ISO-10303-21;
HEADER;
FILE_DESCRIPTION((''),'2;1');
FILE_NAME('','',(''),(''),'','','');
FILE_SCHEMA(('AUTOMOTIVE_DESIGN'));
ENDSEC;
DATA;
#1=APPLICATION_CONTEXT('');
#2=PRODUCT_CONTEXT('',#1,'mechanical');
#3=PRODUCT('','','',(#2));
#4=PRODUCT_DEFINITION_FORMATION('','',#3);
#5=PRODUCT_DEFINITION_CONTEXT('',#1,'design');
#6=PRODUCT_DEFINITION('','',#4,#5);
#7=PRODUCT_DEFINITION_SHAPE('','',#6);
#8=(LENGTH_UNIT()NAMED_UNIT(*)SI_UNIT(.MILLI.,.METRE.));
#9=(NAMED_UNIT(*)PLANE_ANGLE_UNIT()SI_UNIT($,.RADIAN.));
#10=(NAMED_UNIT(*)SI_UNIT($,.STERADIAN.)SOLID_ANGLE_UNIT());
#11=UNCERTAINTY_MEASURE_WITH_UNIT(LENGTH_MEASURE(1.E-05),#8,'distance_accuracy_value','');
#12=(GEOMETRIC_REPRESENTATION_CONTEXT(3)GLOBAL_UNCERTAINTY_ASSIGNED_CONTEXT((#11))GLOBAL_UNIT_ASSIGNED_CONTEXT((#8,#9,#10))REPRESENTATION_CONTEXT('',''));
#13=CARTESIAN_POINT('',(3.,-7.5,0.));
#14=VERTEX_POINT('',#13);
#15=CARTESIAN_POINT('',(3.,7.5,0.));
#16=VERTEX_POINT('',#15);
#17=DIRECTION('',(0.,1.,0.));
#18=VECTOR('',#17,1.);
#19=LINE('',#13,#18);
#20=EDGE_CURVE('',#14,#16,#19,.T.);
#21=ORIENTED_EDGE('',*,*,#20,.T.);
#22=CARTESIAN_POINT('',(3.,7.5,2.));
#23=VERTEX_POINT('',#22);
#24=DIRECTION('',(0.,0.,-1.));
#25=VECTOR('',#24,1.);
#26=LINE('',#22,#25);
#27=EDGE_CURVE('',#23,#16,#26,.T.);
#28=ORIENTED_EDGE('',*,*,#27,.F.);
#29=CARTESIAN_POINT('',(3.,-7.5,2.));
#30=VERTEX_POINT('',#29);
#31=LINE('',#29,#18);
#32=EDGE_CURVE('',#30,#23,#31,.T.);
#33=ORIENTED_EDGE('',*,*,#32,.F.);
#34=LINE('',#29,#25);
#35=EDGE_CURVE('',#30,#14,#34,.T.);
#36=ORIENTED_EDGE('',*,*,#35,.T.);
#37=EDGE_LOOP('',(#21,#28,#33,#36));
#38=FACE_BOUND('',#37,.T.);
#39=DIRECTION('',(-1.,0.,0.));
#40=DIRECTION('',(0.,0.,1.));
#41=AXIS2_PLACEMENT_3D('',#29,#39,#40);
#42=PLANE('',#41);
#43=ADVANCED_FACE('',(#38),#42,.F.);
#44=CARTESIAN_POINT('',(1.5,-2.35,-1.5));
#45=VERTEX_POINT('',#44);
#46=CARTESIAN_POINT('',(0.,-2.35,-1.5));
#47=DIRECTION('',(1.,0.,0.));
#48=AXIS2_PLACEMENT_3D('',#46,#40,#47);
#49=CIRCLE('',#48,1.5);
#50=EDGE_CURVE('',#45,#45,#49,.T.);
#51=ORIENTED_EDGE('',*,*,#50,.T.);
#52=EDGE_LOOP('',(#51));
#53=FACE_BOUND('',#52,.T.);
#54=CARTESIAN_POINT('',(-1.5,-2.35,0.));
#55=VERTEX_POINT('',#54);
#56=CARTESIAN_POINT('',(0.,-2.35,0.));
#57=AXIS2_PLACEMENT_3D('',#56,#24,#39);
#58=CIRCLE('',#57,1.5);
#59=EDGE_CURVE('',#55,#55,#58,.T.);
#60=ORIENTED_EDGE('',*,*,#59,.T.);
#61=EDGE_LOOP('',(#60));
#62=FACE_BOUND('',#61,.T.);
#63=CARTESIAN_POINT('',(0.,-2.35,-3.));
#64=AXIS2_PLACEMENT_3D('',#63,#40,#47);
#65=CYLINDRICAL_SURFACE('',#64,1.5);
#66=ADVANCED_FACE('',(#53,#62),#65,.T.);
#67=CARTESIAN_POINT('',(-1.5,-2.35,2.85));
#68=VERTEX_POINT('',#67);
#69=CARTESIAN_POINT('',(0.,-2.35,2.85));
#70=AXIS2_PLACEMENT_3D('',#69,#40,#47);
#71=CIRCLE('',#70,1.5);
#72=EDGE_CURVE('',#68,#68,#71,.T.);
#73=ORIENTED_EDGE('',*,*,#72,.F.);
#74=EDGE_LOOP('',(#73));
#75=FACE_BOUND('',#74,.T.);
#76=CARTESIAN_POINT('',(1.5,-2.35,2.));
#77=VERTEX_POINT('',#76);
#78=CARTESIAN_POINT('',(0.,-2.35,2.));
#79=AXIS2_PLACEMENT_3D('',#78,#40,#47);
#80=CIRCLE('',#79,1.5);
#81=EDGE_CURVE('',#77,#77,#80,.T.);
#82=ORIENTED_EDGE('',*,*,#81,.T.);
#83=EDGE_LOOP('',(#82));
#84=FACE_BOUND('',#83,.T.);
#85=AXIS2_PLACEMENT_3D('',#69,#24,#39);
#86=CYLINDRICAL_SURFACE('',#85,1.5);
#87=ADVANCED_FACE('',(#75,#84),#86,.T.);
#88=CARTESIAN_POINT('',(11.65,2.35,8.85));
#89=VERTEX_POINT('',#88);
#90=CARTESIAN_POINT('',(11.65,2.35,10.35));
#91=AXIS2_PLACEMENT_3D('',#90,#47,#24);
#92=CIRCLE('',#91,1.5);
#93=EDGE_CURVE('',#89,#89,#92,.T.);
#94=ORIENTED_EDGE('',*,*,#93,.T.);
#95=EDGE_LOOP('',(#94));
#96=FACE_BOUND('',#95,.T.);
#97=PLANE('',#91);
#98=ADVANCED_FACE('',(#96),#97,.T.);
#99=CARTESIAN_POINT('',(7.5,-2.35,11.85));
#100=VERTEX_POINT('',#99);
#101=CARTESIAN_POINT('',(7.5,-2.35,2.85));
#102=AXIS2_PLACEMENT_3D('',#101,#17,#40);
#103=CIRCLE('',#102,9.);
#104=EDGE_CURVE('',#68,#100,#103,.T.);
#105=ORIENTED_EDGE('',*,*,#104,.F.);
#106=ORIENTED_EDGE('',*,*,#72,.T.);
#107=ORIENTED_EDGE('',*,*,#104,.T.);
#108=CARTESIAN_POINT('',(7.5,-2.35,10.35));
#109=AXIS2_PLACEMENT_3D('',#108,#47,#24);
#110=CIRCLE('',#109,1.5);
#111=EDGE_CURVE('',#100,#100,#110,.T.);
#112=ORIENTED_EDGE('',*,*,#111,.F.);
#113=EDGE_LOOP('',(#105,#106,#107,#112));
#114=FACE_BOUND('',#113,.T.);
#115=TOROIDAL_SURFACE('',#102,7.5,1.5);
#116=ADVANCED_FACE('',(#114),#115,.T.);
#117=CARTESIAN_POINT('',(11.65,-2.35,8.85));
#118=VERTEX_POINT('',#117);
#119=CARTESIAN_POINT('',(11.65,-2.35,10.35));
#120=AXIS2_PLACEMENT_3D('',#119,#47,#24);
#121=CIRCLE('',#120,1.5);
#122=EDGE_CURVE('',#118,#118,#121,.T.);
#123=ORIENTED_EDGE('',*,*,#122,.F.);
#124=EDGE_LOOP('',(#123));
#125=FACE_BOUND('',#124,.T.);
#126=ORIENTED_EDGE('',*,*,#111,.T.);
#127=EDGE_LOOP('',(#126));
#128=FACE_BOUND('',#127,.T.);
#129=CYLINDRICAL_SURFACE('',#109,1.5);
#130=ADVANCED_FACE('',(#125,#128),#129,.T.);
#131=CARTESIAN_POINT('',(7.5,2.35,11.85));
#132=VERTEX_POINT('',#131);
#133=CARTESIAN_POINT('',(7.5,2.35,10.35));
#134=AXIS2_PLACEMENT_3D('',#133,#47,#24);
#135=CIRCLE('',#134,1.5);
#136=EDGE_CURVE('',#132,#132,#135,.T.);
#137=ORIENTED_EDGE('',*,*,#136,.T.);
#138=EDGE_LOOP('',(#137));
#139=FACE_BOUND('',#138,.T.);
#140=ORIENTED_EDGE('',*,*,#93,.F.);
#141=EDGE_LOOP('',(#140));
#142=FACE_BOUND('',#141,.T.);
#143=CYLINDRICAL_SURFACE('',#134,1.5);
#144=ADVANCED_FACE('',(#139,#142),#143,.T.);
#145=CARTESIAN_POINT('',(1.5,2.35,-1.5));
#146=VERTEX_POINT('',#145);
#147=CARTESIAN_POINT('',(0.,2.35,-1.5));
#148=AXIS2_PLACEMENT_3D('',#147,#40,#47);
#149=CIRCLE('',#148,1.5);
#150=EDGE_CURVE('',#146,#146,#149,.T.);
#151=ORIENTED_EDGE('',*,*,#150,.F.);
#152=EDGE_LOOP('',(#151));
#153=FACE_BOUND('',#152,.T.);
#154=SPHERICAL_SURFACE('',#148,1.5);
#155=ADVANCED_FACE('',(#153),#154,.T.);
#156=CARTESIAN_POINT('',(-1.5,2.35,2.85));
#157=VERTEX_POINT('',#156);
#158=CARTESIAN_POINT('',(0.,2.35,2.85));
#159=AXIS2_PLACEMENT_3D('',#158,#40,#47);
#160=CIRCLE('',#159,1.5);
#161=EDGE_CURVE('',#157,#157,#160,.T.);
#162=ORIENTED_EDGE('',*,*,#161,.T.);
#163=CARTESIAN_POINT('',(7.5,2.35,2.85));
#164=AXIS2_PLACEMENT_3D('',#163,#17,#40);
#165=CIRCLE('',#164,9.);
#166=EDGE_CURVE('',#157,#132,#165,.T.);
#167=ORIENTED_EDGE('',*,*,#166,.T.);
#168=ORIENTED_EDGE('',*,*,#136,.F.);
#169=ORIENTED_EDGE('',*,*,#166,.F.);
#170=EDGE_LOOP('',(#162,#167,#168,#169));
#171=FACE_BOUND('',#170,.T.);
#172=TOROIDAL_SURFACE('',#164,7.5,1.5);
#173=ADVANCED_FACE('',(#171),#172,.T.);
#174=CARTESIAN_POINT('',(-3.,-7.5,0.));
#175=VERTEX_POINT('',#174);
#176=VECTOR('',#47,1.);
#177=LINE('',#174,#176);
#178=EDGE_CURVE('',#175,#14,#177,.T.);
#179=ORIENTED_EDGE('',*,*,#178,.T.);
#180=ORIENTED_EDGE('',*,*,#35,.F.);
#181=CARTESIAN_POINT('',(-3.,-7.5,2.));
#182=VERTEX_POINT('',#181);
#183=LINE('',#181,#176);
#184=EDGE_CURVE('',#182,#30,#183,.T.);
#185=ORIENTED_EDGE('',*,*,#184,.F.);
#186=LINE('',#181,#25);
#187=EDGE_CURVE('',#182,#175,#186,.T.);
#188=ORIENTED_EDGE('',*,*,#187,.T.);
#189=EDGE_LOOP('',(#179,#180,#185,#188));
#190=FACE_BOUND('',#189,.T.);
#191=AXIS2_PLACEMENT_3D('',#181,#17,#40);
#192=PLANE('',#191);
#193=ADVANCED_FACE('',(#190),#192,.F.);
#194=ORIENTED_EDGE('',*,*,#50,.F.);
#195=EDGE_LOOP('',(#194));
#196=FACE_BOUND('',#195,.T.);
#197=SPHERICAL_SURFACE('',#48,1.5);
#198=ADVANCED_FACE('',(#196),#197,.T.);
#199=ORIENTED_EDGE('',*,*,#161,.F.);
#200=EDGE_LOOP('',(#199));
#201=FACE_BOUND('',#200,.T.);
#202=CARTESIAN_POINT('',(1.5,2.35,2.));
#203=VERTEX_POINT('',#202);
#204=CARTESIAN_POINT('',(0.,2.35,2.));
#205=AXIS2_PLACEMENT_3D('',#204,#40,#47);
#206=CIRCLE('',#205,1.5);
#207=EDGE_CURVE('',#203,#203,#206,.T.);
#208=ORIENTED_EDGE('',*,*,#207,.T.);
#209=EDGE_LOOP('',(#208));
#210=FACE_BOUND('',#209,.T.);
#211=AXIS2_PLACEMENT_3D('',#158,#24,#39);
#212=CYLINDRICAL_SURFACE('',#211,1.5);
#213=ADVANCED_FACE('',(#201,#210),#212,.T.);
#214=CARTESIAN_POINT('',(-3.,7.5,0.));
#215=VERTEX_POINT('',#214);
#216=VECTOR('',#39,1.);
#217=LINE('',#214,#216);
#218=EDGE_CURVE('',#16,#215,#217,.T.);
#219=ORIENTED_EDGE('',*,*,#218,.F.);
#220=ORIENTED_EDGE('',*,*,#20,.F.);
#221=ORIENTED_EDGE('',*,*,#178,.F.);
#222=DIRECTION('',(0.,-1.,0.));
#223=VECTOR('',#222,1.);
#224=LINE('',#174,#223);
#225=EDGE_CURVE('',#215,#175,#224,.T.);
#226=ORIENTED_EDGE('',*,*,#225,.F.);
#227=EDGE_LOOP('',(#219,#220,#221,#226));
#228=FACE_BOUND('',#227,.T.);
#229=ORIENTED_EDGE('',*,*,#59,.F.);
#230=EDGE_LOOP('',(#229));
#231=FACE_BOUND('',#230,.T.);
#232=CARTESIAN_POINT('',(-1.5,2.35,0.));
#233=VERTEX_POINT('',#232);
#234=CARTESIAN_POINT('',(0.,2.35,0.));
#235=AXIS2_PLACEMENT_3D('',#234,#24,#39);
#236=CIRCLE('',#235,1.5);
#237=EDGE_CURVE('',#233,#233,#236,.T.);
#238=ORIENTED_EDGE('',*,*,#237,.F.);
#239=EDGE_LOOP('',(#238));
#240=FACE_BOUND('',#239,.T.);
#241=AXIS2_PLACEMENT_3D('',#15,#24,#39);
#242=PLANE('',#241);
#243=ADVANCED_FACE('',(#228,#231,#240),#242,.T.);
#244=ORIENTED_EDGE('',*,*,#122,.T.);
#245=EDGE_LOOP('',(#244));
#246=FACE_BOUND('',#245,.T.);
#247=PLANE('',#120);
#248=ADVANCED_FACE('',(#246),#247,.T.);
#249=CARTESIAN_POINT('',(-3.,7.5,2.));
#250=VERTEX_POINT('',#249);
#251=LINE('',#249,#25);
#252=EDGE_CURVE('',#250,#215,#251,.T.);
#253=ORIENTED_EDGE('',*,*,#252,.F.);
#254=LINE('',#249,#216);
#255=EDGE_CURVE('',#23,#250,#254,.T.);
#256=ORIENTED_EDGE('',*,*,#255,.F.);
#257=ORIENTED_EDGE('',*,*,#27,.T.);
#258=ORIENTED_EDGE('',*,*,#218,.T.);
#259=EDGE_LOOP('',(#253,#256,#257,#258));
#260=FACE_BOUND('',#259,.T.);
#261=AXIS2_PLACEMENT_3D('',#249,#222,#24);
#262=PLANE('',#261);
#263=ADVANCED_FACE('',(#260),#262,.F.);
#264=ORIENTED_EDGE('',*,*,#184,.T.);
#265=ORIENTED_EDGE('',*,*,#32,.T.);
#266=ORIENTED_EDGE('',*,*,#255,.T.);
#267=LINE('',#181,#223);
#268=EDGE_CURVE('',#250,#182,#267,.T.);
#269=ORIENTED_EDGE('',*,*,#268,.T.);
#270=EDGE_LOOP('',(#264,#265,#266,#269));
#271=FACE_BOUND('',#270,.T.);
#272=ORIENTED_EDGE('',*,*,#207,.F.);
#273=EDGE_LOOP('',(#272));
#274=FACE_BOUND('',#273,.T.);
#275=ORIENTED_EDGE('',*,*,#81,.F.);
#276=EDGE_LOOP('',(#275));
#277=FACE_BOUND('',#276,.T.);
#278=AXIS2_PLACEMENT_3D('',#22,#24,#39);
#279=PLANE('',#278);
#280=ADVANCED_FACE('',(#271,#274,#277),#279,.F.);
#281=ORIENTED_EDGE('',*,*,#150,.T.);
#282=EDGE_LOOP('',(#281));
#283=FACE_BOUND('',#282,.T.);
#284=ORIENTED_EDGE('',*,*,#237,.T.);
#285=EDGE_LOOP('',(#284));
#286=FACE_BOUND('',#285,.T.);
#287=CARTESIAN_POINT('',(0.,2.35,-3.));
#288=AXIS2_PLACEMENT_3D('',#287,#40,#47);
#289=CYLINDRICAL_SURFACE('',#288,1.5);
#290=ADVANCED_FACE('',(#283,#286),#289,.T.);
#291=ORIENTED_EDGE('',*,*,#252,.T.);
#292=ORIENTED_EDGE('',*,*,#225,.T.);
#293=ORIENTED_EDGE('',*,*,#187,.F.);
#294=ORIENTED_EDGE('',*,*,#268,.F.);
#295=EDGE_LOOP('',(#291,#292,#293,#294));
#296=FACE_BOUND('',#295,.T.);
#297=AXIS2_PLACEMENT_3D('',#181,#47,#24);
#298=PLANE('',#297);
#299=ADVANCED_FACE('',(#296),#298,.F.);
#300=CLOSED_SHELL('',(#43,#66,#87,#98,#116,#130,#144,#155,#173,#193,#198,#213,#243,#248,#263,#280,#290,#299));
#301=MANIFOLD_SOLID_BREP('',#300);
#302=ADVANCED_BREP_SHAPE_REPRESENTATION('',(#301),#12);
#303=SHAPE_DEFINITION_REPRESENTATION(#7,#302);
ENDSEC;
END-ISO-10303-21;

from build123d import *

# Parameters (mm, degrees)
SKETCH1_W           = 6
SKETCH1_H           = 15
BOSS_EXTRUDE1_DEPTH = 2
SKETCH2_R           = 1.5
BOSS_EXTRUDE2_DEPTH = 3
FILLET1_R           = 1.5
SKETCH3_R           = 1.5


with BuildPart() as part:
    # Sketch1 → Boss-Extrude1 (new body)
    with BuildSketch(Plane.XY):
        Rectangle(SKETCH1_W, SKETCH1_H)
    extrude(amount=BOSS_EXTRUDE1_DEPTH)

    # Sketch2 → Boss-Extrude2 (add)
    with BuildSketch(Plane(origin=(0, 0, 0), x_dir=(-1, 0, 0), z_dir=(0, 0, -1))):
        with Locations((0, 2.35)):
            Circle(SKETCH2_R)
        with Locations((0, -2.35)):
            Circle(SKETCH2_R)
    extrude(amount=BOSS_EXTRUDE2_DEPTH)

    # Fillet1
    fillet1_edges = [part.edges().sort_by_distance(p)[0] for p in [
        (1.5, 2.35, -3),
        (1.5, -2.35, -3),
    ]]
    fillet(fillet1_edges, radius=FILLET1_R)

    # Sweep1: sweep along a path in Sketch4
    with BuildLine(Plane(origin=(0, 2.35, 0), x_dir=(-1, 0, 0), z_dir=(0, 1, 0))) as sweep1_path:
        Line((0, 2), (0, 2.85))
        ThreePointArc((0, 2.85), (-2.196699141, 8.153300859), (-7.5, 10.35))
        Line((-7.5, 10.35), (-11.65, 10.35))
    # Sketch3 → Sweep1 (sweep)
    with BuildSketch(Plane.XY.offset(2)):
        with Locations((0, -2.35)):
            Circle(SKETCH3_R)
        with Locations((0, 2.35)):
            Circle(SKETCH3_R)
    sweep(path=sweep1_path.line)


solid = part.part
